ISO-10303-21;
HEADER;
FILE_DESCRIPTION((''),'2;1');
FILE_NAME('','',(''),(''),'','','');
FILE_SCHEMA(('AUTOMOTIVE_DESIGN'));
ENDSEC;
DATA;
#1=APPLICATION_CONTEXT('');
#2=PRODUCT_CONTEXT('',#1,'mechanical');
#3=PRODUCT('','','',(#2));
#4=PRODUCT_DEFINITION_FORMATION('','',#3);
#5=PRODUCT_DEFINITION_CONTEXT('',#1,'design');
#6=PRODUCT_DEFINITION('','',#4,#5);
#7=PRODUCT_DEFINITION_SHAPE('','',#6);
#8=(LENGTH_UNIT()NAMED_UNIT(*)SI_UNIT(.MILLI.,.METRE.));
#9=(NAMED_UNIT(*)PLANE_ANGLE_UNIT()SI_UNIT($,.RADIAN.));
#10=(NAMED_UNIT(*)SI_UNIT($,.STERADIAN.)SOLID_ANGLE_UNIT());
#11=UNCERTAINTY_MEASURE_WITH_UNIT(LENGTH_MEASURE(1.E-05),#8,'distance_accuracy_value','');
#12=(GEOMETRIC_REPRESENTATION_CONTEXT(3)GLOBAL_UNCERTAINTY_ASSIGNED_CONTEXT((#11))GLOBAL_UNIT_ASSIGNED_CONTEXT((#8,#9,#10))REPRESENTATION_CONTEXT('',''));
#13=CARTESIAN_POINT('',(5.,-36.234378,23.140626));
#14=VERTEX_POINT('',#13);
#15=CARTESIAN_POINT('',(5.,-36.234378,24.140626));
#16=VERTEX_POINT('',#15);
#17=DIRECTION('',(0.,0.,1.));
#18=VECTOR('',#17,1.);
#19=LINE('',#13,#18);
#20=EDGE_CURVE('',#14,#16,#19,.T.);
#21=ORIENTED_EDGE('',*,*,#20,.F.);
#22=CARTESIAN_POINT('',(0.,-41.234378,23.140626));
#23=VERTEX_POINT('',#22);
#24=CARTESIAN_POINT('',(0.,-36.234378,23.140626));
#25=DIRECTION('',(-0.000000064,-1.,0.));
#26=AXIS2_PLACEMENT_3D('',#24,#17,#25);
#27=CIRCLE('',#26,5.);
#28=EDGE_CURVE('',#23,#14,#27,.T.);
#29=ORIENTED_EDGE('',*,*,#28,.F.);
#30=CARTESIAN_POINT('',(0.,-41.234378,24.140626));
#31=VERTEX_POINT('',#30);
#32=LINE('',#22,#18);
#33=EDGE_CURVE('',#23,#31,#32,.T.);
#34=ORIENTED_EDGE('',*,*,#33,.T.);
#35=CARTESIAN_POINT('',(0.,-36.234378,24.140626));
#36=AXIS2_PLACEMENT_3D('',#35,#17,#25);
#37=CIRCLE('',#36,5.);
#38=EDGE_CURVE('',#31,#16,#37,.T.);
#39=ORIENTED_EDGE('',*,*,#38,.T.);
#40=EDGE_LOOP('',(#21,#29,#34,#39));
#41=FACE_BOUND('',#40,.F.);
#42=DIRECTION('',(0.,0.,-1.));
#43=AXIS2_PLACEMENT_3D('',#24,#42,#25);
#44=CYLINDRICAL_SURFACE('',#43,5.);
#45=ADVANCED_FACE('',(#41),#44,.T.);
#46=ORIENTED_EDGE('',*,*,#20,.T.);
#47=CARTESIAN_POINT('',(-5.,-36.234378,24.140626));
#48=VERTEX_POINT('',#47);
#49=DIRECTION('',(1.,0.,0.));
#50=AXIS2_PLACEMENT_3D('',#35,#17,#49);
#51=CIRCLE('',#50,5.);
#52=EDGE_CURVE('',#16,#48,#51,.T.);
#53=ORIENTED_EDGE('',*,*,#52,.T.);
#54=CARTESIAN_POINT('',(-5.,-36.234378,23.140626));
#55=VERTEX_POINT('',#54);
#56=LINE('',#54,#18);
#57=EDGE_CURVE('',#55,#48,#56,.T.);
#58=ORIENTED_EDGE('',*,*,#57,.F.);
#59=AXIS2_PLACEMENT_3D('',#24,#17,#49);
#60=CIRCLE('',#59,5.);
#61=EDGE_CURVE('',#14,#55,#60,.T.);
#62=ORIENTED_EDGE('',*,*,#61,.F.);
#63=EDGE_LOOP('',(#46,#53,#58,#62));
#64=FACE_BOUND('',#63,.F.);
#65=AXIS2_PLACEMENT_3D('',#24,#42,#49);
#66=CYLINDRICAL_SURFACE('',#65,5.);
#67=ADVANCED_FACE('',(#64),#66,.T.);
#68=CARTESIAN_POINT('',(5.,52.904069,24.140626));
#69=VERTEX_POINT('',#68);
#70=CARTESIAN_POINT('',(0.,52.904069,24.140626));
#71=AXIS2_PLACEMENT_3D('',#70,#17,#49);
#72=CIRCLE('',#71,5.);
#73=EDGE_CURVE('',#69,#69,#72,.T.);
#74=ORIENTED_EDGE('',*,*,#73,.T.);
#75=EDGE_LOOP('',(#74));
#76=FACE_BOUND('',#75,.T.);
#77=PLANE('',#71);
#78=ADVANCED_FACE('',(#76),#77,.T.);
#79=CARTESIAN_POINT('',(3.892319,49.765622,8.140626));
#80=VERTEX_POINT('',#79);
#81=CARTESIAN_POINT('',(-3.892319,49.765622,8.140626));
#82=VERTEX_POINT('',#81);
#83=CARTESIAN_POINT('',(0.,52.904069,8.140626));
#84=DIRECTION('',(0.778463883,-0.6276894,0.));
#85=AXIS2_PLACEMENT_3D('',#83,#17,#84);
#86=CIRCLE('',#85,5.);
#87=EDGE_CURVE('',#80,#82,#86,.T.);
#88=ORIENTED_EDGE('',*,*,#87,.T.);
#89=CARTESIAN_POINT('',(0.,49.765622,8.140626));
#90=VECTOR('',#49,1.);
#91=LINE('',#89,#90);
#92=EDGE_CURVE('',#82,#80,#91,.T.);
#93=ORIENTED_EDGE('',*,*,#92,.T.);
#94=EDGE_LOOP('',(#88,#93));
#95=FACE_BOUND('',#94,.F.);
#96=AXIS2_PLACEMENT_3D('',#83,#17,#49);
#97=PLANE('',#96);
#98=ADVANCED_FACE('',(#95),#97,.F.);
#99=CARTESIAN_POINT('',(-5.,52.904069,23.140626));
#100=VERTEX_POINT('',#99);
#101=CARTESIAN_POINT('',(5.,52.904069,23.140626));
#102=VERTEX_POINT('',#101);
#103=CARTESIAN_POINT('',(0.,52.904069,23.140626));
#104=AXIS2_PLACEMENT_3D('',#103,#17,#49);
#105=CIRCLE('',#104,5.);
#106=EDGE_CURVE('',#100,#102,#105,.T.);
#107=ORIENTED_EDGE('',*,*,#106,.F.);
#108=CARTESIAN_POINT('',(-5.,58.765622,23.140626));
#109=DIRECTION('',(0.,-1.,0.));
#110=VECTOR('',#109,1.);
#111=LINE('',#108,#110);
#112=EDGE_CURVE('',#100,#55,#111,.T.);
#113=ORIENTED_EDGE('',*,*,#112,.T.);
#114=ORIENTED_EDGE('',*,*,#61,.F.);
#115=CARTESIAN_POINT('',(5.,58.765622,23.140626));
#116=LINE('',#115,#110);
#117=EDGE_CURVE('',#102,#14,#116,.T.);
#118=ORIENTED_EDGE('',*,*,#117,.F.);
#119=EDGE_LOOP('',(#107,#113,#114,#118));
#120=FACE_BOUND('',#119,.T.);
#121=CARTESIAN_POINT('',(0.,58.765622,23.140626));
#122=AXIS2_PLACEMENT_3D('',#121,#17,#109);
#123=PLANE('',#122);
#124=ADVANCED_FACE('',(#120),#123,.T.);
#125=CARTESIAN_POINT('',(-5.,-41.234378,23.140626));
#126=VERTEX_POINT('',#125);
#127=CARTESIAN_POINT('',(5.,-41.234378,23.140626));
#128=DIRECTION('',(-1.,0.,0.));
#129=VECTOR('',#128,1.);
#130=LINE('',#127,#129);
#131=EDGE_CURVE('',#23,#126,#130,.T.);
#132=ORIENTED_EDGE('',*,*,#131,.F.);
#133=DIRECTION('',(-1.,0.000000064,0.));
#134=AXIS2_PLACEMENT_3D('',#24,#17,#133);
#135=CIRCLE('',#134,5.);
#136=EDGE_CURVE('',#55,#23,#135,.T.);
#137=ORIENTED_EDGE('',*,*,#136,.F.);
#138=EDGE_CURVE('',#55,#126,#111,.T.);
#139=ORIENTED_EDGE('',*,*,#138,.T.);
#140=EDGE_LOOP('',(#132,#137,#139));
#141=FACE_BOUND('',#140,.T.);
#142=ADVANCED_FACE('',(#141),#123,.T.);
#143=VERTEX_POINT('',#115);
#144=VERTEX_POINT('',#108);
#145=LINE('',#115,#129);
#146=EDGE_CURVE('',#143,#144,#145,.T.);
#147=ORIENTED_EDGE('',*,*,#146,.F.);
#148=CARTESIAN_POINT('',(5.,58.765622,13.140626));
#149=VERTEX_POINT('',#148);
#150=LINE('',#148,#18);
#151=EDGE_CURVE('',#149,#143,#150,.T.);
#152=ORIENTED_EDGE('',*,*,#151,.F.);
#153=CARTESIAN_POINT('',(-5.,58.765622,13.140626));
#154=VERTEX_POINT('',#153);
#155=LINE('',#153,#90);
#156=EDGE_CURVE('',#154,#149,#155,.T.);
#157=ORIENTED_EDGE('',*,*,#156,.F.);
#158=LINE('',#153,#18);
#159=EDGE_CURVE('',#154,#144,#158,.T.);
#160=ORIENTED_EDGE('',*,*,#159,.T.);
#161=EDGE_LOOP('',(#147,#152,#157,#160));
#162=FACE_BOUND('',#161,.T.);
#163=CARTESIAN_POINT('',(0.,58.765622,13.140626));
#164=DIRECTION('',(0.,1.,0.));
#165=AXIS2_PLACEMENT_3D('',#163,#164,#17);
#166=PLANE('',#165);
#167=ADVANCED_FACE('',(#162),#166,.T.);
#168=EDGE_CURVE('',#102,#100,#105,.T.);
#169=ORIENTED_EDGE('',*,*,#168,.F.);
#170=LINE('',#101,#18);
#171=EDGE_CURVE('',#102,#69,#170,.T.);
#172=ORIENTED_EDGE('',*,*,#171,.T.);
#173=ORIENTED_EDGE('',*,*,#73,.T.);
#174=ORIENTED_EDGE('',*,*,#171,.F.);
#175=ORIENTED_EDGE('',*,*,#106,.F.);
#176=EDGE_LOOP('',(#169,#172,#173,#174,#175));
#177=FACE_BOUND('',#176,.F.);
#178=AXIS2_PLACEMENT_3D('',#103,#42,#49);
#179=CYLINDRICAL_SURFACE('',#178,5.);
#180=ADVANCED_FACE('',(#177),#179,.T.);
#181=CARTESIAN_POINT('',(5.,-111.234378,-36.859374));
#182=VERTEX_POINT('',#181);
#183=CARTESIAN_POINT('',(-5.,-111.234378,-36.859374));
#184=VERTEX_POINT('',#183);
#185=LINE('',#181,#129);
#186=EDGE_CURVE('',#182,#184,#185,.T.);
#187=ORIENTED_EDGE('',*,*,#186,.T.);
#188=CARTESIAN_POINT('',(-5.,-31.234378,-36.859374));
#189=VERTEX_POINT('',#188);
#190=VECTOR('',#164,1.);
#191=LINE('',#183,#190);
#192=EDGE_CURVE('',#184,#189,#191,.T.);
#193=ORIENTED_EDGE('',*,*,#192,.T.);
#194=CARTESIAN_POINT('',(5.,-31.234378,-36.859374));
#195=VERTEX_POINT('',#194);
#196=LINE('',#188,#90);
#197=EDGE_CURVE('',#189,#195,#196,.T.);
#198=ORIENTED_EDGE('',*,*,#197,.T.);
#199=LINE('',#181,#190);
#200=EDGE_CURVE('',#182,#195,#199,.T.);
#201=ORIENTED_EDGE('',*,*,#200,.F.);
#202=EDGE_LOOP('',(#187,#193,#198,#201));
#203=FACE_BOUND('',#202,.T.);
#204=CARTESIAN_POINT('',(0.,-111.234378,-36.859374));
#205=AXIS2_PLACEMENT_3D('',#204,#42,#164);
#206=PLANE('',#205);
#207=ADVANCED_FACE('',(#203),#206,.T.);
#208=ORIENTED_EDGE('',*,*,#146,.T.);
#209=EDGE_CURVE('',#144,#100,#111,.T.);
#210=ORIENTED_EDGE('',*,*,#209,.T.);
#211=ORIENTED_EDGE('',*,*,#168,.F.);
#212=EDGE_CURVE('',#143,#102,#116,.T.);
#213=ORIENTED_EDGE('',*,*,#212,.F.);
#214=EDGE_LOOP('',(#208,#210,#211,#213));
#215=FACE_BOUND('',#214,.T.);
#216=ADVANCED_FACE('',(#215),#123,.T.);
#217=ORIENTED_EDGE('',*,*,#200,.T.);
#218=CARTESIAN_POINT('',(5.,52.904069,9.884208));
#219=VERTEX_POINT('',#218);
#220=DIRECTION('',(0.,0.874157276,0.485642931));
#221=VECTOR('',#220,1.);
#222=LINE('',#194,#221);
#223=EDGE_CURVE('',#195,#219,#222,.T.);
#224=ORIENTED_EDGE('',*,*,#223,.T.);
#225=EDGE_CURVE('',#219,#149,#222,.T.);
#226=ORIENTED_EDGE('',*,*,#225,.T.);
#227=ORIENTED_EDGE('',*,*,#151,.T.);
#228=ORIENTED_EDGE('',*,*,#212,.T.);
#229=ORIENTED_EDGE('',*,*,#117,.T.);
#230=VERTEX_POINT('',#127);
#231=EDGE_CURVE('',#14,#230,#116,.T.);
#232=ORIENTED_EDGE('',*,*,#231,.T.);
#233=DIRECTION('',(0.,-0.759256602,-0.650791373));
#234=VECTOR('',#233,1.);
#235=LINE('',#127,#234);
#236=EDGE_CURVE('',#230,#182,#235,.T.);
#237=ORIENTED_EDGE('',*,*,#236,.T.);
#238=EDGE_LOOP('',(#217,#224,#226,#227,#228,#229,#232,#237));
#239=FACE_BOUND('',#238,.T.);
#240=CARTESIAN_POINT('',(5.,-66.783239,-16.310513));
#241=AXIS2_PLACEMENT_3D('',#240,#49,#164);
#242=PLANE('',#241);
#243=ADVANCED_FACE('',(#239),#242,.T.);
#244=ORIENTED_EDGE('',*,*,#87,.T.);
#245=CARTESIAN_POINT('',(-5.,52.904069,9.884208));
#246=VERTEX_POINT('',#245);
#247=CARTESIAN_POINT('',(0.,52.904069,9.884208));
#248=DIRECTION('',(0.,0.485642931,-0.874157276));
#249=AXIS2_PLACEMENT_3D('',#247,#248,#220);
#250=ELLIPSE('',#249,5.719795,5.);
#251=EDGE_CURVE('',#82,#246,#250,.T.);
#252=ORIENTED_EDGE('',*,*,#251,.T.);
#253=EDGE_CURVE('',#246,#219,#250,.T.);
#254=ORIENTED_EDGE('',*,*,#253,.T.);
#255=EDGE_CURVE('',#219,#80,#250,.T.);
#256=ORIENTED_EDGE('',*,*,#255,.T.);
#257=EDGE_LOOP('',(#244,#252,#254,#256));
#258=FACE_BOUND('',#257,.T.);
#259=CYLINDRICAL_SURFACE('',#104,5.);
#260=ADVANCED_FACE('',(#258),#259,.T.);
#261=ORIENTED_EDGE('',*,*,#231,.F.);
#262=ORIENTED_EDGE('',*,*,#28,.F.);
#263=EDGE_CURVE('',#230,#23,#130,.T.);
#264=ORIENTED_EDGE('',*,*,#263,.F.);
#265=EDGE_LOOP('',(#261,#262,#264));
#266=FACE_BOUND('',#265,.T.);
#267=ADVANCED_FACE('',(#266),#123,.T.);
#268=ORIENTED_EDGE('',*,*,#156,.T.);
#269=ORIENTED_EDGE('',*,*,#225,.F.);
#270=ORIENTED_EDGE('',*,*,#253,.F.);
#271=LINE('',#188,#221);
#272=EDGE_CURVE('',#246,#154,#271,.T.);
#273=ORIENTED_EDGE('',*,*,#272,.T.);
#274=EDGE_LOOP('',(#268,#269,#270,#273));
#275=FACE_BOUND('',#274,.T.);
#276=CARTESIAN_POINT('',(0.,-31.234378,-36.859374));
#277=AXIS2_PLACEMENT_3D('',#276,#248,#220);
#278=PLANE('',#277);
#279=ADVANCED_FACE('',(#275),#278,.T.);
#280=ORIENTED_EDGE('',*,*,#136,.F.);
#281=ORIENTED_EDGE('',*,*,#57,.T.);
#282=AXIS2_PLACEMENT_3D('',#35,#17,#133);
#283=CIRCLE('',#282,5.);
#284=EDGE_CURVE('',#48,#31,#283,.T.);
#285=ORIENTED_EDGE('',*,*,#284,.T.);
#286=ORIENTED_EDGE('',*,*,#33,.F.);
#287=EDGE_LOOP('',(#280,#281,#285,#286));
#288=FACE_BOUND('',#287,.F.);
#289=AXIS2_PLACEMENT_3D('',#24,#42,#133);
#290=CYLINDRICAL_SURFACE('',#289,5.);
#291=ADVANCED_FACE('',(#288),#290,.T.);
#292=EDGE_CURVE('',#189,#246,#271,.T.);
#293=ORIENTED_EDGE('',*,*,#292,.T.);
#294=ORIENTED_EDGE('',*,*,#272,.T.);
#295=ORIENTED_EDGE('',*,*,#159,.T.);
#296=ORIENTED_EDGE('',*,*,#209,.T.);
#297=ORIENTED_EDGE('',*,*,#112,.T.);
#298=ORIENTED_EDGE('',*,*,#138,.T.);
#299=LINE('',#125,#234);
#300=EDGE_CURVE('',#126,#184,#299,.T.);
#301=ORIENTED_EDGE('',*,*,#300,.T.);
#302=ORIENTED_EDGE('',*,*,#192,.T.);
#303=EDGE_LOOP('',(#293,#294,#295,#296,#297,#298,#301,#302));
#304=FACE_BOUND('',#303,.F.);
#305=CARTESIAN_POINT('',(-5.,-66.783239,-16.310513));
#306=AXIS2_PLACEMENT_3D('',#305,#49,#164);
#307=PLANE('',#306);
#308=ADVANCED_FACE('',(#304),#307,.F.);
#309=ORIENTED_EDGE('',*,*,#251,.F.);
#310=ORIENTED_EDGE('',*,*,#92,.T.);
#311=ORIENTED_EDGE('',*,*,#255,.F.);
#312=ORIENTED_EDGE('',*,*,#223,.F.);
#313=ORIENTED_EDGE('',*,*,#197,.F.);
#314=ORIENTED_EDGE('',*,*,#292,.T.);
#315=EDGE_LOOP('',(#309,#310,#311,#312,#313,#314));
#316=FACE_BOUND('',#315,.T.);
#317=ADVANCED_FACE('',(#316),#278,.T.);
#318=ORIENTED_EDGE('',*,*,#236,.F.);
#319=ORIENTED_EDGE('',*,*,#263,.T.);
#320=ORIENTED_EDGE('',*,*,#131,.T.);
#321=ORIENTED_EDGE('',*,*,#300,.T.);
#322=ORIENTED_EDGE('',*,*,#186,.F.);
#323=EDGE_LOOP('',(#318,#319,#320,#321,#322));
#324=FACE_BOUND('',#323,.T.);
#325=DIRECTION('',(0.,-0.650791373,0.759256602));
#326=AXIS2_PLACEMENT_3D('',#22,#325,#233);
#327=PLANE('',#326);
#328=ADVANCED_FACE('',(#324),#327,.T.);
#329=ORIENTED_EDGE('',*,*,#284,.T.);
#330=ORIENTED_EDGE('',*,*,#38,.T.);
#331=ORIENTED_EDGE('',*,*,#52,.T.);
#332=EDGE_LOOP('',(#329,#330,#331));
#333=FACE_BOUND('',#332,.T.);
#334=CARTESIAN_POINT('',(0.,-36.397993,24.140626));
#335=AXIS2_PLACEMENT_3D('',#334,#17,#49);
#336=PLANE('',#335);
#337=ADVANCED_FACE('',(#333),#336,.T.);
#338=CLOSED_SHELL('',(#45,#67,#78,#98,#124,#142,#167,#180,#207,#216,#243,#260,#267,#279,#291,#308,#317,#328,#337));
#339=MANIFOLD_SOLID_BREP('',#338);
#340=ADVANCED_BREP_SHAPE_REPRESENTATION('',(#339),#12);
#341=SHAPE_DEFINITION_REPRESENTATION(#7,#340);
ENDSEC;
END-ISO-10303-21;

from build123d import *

# Parameters (mm, degrees)
F1_DEPTH      = 5
F3_DEPTH      = 1
F3_DEPTH_BACK = 15
F5_DEPTH      = 1
F5_DEPTH_BACK = 59.9


with BuildPart() as f1:
    # F0 (on Right) → F1 (new body, symmetric)
    with BuildSketch(Plane.YZ):
        Polygon((-111.234378, -36.859374), (-41.234378, -36.859374), (-41.234378, 23.140626), align=None)
        Polygon((-41.234378, 23.140626), (-41.234378, -36.859374), (-31.234378, -36.859374), (58.765622, 13.140626), (58.765622, 23.140626), align=None)
    extrude(amount=F1_DEPTH, both=True)

    # F2 (on face) → F3 (join, two sides)
    with BuildSketch(Plane.XY.offset(23.140626)) as f3_sk:
        with BuildLine():
            ThreePointArc((-5, 52.904069), (0, 47.904069), (5, 52.904069))
            ThreePointArc((5, 52.904069), (0, 57.904069), (-5, 52.904069))
        make_face()
    extrude(amount=F3_DEPTH)
    extrude(f3_sk.sketch, amount=-F3_DEPTH_BACK)

    # F4 (on face) → F5 (join, two sides)
    with BuildSketch(Plane.XY.offset(23.140626)) as f5_sk:
        with BuildLine():
            ThreePointArc((0, -41.234378), (3.535534, -39.769912), (5, -36.234378))
            ThreePointArc((5, -36.234378), (0, -31.234378), (-5, -36.234378))
            ThreePointArc((-5, -36.234378), (-3.535534, -39.769912), (0, -41.234378))
        make_face()
    extrude(amount=F5_DEPTH)
    extrude(f5_sk.sketch, amount=-F5_DEPTH_BACK)


solid = f1.part
